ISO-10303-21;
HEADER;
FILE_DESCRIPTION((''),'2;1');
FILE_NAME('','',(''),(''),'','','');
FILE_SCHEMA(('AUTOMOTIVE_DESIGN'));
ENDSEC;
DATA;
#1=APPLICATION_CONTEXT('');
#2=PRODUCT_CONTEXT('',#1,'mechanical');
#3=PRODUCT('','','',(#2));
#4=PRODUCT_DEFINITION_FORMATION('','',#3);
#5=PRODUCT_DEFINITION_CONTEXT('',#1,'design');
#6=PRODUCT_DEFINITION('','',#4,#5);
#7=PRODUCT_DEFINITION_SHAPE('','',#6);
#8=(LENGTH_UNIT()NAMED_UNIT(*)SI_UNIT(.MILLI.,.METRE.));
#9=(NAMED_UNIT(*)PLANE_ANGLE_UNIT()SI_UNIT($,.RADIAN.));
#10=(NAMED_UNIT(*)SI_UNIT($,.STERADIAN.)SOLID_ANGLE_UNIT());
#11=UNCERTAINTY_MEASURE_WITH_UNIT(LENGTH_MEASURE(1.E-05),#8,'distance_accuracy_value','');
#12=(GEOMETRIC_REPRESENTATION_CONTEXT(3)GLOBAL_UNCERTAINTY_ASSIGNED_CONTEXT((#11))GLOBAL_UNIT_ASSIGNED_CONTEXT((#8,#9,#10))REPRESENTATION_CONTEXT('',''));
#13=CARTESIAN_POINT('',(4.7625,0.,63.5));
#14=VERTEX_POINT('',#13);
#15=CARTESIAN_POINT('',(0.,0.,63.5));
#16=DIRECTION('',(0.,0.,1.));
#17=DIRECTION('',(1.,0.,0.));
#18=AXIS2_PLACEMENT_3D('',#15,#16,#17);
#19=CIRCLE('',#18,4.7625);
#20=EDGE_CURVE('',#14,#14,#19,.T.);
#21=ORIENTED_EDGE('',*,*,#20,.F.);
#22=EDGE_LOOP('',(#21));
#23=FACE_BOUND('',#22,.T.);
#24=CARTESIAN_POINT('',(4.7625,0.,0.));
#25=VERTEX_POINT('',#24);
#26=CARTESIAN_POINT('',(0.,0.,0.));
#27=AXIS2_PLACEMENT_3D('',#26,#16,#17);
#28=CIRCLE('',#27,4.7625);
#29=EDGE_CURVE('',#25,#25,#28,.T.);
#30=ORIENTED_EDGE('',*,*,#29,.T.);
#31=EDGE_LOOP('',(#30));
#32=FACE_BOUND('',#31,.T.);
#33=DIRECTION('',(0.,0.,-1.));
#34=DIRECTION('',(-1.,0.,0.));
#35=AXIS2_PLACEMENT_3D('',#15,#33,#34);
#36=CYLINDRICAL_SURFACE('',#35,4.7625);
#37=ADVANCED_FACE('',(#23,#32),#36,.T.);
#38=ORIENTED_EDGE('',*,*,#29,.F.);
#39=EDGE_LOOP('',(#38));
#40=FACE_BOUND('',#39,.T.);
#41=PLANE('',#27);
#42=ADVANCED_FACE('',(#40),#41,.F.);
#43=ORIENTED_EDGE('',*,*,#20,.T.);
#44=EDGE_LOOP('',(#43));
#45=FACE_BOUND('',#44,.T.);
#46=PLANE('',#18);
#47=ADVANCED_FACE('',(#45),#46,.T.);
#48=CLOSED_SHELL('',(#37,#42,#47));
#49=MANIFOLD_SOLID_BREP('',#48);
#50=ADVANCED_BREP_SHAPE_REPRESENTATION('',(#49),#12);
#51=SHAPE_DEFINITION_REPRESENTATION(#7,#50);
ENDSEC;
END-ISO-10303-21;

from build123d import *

# Parameters (mm, degrees)
SKETCH1_R           = 4.7625
BOSS_EXTRUDE1_DEPTH = 63.5


with BuildPart() as part:
    # Sketch1 → Boss-Extrude1 (new body)
    with BuildSketch(Plane.XY):
        Circle(SKETCH1_R)
    extrude(amount=BOSS_EXTRUDE1_DEPTH)


solid = part.part
